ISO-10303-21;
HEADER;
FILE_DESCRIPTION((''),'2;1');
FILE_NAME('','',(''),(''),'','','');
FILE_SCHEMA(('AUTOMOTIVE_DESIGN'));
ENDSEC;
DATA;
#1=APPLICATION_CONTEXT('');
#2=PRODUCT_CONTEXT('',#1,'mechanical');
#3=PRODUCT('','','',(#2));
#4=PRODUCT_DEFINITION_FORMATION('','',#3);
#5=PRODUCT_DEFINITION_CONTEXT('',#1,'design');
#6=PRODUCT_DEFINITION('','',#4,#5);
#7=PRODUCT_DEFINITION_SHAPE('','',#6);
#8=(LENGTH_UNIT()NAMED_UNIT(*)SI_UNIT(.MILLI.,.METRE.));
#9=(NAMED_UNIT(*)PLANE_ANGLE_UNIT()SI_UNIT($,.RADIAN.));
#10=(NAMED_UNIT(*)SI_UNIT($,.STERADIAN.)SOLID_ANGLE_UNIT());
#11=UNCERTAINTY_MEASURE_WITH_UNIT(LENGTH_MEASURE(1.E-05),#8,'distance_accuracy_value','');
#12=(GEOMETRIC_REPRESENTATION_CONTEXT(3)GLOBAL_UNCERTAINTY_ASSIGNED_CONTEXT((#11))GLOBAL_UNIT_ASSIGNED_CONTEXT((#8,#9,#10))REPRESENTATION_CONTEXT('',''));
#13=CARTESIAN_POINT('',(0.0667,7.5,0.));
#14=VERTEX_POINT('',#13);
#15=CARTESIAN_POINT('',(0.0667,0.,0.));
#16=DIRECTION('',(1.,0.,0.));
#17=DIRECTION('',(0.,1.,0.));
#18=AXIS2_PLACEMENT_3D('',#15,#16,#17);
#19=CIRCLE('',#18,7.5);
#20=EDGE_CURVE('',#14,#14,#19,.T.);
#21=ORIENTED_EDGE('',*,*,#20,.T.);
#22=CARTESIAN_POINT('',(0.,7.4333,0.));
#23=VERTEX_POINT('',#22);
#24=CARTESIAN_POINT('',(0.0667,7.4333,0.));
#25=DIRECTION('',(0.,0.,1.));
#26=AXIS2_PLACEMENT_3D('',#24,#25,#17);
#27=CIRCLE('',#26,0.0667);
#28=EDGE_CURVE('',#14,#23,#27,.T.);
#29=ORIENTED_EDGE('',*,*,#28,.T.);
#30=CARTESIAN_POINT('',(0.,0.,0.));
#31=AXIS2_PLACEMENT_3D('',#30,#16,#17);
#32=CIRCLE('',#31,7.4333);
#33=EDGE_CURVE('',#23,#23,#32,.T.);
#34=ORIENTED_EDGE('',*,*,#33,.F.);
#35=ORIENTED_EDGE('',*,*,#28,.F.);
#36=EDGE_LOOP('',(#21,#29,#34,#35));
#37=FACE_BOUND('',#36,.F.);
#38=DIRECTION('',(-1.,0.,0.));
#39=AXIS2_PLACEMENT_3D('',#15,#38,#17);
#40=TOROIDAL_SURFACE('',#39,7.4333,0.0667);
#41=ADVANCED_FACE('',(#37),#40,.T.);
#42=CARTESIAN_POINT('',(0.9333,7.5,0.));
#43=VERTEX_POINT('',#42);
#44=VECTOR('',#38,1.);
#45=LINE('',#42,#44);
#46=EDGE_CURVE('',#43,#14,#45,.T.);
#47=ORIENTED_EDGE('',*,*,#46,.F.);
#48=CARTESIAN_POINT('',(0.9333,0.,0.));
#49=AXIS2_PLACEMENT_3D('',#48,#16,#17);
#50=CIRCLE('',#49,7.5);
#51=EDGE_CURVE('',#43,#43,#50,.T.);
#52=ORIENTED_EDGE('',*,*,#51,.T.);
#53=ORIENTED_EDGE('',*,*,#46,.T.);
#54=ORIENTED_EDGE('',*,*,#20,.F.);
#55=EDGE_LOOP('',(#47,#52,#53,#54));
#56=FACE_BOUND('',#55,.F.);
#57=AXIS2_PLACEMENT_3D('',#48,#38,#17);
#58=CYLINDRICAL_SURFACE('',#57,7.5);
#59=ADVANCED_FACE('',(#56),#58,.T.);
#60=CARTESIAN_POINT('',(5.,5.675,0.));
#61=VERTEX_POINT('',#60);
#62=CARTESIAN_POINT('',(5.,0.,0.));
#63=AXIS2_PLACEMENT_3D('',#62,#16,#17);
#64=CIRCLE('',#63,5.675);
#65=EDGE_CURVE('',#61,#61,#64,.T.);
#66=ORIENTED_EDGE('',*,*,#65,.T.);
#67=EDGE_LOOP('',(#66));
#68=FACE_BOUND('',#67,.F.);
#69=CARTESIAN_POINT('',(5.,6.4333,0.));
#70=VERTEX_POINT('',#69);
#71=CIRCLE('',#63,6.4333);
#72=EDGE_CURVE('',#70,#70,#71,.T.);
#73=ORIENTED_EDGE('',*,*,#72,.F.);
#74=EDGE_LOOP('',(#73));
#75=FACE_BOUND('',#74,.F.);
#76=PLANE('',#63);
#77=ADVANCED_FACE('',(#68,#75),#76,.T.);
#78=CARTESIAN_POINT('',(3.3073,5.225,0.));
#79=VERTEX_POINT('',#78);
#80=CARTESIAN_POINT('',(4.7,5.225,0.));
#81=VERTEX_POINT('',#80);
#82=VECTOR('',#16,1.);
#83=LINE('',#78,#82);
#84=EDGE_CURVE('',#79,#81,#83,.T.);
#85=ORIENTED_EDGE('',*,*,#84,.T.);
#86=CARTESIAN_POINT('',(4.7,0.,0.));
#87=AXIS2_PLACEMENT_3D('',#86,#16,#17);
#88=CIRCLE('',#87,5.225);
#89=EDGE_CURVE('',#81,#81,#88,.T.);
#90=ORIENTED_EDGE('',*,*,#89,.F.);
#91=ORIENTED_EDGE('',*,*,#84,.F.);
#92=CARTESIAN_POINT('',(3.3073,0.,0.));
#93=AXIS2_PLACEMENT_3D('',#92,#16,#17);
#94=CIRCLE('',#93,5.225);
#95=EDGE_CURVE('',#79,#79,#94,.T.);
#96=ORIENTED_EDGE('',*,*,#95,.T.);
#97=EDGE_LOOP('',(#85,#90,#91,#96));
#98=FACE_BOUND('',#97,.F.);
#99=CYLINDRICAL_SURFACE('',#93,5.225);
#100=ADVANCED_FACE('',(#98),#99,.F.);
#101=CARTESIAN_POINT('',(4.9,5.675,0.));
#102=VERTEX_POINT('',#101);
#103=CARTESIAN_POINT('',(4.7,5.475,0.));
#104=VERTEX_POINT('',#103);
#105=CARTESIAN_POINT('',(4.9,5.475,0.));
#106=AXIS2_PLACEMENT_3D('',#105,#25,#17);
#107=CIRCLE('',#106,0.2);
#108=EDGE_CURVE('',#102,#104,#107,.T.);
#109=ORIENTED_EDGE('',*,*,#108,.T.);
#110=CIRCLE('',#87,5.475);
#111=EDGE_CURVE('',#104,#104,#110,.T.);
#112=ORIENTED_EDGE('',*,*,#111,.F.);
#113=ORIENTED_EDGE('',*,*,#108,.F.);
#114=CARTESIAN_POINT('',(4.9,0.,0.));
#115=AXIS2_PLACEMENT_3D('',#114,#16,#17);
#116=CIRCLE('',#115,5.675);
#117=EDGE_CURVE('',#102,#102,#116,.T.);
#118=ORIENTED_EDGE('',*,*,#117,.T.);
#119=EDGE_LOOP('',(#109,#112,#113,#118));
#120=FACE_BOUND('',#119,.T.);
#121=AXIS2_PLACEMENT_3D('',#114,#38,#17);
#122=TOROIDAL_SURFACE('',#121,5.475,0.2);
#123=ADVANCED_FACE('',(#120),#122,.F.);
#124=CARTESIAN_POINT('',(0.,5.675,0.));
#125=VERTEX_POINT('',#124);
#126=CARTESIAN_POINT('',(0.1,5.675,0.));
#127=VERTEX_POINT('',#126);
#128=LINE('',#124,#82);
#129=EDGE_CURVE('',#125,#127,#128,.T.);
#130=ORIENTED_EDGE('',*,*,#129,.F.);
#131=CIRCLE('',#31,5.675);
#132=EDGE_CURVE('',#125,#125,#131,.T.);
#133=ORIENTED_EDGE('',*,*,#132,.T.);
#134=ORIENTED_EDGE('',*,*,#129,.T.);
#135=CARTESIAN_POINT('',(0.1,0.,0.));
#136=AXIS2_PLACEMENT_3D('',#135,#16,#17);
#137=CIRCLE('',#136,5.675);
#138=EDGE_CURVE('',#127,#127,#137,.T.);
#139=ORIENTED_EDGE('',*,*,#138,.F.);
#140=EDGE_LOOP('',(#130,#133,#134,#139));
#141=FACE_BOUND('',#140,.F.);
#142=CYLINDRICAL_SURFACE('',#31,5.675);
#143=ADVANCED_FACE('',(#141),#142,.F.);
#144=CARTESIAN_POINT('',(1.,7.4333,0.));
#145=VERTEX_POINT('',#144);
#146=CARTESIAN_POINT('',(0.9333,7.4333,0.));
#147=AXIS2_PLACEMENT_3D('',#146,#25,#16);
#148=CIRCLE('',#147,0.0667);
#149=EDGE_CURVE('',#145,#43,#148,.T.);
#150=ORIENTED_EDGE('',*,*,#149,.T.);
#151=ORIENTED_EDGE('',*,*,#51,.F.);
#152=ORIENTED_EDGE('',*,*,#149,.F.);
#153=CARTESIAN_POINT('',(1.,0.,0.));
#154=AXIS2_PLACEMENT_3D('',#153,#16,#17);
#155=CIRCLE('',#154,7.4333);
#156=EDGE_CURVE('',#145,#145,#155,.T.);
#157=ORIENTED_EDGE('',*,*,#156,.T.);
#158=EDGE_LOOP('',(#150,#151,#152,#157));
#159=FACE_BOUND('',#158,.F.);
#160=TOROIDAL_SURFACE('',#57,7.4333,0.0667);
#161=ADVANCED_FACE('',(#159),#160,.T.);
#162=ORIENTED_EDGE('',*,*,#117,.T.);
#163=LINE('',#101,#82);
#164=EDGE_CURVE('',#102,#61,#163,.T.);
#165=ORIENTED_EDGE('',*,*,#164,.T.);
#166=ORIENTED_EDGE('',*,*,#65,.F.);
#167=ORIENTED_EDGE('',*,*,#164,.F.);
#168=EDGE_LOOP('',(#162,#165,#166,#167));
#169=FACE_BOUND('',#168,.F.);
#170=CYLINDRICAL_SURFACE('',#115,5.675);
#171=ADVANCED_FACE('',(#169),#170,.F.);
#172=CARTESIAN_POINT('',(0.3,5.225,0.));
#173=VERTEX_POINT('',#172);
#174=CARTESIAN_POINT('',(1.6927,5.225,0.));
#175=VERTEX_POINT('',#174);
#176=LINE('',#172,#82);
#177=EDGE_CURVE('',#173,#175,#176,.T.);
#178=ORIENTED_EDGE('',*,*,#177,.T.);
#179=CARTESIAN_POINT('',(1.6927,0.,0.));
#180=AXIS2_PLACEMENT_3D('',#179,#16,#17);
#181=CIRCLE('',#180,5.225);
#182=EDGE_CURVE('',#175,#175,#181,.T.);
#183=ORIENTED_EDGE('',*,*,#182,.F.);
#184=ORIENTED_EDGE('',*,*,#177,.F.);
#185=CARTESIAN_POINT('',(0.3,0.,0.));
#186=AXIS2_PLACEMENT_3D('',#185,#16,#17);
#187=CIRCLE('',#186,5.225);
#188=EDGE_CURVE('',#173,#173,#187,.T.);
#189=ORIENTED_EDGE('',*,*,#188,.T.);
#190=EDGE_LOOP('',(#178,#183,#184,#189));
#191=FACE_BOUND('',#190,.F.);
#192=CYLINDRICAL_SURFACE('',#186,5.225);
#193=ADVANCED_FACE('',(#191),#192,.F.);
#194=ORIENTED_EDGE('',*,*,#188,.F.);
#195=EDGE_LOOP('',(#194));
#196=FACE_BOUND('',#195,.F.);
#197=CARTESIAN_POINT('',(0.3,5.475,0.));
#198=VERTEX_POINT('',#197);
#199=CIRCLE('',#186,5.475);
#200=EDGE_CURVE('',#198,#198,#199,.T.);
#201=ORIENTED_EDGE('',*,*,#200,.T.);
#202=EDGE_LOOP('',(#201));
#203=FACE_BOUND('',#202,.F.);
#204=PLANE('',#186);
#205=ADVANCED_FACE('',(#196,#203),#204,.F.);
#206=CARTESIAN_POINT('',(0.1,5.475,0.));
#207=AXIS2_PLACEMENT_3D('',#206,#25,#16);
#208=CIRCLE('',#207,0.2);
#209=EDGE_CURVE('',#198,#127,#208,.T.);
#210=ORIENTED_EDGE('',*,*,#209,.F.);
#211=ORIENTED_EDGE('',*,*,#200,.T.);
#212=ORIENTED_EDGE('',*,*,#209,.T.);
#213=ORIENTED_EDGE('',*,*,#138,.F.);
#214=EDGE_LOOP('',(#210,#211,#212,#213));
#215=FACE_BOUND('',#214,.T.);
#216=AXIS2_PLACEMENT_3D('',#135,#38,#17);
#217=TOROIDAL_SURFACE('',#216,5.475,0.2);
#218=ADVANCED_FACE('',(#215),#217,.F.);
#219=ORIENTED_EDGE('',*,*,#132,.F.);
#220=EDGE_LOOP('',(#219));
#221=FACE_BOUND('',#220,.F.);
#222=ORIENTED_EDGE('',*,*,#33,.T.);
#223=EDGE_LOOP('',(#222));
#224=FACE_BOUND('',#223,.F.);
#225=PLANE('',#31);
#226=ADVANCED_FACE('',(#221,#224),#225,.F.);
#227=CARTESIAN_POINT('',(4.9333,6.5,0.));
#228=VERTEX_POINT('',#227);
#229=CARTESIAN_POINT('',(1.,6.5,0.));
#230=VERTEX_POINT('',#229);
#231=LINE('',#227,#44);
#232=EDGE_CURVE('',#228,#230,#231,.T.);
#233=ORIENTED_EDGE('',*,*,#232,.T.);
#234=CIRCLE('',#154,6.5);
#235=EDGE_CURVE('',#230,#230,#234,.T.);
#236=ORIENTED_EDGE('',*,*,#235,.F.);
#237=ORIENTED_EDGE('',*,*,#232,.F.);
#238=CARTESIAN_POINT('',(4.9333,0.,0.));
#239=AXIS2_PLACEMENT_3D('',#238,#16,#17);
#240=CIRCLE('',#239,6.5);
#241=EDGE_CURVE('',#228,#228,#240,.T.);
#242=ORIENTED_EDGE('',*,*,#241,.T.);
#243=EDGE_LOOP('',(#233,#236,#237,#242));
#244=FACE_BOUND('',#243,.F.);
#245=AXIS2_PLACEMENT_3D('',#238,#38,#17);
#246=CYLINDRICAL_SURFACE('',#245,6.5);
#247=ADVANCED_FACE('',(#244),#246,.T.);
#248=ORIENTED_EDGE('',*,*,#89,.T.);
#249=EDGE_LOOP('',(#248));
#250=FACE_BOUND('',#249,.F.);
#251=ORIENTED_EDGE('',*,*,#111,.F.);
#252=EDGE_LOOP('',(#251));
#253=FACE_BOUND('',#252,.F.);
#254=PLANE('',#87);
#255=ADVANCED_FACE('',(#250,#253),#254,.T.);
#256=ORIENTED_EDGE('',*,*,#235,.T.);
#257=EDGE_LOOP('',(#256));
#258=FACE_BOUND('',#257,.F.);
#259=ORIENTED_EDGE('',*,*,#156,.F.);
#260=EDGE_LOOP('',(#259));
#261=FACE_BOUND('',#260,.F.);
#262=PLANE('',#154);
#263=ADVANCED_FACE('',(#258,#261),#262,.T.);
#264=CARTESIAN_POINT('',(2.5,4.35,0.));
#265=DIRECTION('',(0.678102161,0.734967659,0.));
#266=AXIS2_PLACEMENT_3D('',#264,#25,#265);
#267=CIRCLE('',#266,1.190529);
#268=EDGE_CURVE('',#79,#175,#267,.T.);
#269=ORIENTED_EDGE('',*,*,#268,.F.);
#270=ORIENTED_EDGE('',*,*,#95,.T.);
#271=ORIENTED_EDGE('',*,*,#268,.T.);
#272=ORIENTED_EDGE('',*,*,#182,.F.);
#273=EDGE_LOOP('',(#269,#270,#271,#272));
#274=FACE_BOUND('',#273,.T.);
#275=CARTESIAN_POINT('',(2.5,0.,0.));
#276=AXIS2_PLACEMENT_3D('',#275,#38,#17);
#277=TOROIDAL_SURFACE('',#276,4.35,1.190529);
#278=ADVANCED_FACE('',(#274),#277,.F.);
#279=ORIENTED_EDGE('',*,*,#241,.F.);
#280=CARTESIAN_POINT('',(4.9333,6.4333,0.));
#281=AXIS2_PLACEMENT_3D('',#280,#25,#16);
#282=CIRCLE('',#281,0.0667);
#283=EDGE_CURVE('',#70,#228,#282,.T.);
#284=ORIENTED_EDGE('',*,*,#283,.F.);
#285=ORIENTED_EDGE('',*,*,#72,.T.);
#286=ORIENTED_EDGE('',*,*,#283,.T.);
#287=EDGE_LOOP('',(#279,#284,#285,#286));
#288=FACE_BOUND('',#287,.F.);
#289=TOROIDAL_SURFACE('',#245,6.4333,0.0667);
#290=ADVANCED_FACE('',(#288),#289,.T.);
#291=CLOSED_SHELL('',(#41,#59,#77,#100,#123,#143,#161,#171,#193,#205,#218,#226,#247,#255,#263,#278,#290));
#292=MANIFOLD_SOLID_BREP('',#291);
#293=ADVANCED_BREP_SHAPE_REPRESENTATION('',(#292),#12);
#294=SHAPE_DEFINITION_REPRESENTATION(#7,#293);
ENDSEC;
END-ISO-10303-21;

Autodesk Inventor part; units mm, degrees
ref_plane "YZ Plane" through (0, 0, 0) normal (1, 0, 0) x (0, 1, 0)
ref_plane "XZ Plane" through (0, 0, 0) normal (0, 1, 0) x (-1, 0, 0)
ref_plane "XY Plane" through (0, 0, 0) normal (0, 0, 1) x (1, 0, 0)
sketch "Sketch_21" plane through (0, 0, 0) normal (0, 0, 1) x (1, 0, 0)
  line L0 (50, 0) -> (-50, 0)
  line L1 (0, 7.4333) -> (0, 5.675)
  line L2 (0, 5.675) -> (0.1, 5.675)
  arc A0 (0.3, 5.475) -> (0.1, 5.675) centre (0.1, 5.475) ccw
  line L3 (0.3, 5.475) -> (0.3, 5.225)
  line L4 (0.3, 5.225) -> (1.6927, 5.225)
  arc A1 (3.3073, 5.225) -> (1.6927, 5.225) centre (2.5, 4.35) ccw
  line L5 (3.3073, 5.225) -> (4.7, 5.225)
  line L6 (4.7, 5.225) -> (4.7, 5.475)
  arc A2 (4.9, 5.675) -> (4.7, 5.475) centre (4.9, 5.475) ccw
  line L7 (4.9, 5.675) -> (5, 5.675)
  line L8 (5, 5.675) -> (5, 6.4333)
  arc A3 (5, 6.4333) -> (4.9333, 6.5) centre (4.9333, 6.4333) ccw
  line L9 (4.9333, 6.5) -> (1, 6.5)
  line L10 (1, 6.5) -> (1, 7.4333)
  arc A4 (1, 7.4333) -> (0.9333, 7.5) centre (0.9333, 7.4333) ccw
  line L11 (0.9333, 7.5) -> (0.0667, 7.5)
  arc A5 (0.0667, 7.5) -> (0, 7.4333) centre (0.0667, 7.4333) ccw
revolve "Revolution1" add sketch "Sketch_21" angle 360 about axis through (50, 0, 0) along (1, 0, 0)
properties part number "SKF_W 624 R_PART2"
